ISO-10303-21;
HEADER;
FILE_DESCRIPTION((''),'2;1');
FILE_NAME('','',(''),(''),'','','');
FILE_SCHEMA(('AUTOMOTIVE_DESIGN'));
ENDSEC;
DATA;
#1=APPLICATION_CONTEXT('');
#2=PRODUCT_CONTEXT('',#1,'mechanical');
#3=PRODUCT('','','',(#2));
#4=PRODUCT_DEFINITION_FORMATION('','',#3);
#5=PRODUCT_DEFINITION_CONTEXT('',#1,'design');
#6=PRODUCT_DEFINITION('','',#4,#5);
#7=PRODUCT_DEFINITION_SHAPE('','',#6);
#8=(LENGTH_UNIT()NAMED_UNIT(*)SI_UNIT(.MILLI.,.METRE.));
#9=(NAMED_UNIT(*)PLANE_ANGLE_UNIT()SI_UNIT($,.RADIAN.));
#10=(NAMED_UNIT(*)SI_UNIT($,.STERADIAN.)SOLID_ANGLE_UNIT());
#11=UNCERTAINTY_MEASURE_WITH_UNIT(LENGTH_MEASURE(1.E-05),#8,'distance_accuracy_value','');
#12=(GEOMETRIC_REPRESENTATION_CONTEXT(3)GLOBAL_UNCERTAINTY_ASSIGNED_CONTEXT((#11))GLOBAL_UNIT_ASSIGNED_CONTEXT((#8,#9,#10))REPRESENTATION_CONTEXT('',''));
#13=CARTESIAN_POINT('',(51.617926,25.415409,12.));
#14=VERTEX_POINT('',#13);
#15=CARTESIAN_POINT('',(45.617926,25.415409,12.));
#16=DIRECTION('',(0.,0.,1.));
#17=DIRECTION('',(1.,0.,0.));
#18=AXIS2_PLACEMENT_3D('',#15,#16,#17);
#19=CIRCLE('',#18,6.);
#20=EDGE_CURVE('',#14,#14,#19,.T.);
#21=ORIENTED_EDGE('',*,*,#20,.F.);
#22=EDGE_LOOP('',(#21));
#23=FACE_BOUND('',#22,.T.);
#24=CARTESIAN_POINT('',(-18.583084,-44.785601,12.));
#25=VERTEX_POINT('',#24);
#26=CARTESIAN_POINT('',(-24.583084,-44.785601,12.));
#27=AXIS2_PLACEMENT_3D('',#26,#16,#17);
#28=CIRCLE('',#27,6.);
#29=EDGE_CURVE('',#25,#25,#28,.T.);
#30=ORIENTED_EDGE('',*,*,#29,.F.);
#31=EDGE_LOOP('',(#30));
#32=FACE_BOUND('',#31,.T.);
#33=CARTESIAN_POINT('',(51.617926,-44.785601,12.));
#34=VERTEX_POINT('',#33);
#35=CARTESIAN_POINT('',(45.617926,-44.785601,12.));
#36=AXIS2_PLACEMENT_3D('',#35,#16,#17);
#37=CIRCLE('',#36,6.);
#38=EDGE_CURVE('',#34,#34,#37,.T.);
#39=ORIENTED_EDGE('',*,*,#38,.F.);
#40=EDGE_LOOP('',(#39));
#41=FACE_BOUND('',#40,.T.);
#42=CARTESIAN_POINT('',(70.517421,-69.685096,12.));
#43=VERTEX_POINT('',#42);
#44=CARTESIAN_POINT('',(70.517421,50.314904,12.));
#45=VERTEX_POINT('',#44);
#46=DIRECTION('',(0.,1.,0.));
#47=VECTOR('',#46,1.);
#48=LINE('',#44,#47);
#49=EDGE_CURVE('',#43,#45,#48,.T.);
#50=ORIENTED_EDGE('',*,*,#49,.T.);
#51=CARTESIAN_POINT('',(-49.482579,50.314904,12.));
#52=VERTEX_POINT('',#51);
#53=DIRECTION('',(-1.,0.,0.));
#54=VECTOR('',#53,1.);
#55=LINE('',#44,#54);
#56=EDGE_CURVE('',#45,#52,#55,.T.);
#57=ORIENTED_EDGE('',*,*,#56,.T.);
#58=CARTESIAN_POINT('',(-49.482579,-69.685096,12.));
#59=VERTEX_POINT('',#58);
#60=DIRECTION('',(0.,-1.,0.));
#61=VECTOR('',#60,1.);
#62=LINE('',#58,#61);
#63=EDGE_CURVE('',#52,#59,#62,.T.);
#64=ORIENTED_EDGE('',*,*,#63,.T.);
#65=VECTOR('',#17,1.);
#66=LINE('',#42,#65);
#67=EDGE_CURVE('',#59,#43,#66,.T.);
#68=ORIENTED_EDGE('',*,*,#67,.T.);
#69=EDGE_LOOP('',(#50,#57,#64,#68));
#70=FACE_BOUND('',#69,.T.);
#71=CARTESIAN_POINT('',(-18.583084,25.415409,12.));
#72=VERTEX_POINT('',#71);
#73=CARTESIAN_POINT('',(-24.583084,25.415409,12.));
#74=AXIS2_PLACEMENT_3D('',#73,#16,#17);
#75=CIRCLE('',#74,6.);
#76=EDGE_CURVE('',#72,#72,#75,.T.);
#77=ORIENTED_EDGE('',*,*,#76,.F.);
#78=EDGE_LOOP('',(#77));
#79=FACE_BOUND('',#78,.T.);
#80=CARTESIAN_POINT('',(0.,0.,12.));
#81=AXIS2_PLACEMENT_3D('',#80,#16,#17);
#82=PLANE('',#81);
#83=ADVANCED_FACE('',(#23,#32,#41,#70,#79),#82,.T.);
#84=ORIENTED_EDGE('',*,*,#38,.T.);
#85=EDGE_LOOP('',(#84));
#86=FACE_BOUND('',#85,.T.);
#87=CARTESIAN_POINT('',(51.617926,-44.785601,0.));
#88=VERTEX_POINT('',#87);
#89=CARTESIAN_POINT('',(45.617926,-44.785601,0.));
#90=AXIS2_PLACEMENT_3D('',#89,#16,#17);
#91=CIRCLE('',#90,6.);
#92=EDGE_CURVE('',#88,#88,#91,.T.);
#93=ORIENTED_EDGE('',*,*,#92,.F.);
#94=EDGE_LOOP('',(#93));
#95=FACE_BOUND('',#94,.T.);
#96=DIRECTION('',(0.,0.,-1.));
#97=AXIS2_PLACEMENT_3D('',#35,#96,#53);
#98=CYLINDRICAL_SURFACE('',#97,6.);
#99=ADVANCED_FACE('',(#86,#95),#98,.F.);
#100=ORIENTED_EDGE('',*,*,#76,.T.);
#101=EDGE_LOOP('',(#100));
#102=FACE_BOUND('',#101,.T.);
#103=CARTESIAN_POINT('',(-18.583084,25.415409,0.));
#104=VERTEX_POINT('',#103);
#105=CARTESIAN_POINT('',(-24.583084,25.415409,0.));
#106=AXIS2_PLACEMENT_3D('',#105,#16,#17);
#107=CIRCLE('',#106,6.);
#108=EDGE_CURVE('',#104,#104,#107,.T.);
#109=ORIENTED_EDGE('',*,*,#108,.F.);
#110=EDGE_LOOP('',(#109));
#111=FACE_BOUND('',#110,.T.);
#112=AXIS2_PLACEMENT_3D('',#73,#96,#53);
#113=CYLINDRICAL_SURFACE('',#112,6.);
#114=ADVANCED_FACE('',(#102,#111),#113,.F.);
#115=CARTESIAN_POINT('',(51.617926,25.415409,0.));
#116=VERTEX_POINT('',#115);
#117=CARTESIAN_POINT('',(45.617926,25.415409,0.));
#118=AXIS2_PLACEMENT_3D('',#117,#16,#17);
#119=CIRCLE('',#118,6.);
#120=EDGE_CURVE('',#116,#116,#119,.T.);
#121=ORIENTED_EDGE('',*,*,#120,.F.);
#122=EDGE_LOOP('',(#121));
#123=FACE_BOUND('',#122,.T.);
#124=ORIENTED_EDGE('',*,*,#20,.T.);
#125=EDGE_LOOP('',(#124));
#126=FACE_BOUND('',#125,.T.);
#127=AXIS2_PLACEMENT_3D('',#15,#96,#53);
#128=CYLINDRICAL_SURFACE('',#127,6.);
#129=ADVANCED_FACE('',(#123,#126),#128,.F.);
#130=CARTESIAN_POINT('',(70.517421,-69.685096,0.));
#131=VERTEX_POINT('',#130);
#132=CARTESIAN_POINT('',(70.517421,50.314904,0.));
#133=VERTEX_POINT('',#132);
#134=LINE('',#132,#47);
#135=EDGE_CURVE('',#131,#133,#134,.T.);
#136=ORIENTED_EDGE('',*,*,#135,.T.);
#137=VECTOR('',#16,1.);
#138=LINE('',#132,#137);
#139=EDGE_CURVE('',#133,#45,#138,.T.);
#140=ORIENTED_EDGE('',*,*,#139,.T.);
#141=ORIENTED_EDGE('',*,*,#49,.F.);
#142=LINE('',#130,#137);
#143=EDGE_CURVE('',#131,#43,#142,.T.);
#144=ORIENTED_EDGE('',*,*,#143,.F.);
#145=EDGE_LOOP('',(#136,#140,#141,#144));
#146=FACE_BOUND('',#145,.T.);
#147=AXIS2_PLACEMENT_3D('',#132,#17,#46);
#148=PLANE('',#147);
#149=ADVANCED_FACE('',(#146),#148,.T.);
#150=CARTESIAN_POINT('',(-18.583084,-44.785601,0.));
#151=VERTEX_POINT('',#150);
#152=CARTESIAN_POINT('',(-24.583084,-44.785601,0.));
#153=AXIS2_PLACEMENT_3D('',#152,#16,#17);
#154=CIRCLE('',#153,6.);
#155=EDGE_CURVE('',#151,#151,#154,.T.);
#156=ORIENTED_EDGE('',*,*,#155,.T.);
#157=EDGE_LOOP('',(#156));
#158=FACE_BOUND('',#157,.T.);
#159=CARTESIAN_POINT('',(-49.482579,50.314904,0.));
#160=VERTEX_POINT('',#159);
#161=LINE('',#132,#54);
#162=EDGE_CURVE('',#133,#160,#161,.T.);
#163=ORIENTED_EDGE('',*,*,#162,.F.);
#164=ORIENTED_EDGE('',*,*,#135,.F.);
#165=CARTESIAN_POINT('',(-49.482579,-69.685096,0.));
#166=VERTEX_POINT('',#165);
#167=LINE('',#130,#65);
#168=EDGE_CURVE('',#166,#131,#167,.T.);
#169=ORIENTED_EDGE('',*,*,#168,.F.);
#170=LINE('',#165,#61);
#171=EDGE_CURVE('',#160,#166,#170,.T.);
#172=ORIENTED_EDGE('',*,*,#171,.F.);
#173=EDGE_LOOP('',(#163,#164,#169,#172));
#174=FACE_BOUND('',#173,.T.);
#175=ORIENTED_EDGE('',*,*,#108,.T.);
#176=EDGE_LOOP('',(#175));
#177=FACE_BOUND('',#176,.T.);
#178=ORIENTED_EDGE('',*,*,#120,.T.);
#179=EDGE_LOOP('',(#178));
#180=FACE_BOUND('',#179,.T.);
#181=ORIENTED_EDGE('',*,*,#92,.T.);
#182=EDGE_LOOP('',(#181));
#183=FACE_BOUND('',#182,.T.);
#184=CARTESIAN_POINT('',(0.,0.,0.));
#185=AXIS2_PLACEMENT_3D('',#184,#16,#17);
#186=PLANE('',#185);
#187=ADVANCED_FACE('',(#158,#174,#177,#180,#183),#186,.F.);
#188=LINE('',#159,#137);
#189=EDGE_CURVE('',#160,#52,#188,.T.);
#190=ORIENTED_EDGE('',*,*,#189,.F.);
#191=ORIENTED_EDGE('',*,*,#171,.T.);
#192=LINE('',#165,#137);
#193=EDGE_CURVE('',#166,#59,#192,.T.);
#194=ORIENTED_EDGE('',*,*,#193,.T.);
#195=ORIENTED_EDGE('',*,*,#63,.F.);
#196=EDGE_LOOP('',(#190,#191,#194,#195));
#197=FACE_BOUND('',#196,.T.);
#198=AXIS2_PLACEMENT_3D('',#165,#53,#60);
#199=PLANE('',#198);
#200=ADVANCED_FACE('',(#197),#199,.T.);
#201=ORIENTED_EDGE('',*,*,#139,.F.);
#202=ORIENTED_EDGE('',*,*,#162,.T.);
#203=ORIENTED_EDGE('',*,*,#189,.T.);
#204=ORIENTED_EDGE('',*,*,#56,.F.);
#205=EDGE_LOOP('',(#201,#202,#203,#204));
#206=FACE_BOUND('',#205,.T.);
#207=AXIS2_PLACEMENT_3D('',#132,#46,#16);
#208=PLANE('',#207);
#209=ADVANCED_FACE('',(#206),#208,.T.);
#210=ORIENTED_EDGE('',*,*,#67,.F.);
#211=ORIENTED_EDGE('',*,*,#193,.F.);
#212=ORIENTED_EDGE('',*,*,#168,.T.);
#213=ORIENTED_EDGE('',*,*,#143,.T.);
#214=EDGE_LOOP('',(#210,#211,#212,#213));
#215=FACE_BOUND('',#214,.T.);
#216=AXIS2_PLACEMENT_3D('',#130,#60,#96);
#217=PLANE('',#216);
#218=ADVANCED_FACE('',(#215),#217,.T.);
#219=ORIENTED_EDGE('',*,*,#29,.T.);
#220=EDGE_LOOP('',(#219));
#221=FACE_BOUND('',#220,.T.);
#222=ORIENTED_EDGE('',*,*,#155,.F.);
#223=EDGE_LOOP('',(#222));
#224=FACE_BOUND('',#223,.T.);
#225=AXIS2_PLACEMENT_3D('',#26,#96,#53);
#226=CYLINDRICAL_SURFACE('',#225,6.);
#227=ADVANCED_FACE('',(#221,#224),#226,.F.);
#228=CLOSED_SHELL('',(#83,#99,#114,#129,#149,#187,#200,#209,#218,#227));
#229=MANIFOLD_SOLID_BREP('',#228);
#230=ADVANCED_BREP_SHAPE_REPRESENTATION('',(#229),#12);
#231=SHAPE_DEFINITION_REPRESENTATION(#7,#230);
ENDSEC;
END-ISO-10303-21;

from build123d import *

# Parameters (mm, degrees)
SZKIC1_W                    = 90
SZKIC1_H                    = 90
SZKIC1_R                    = 6
DODANIE_WYCI_GNI_CIE1_DEPTH = 12
SZKIC2_W                    = 120
SZKIC2_H                    = 120
SZKIC2_W_2                  = 90
SZKIC2_H_2                  = 90
DODANIE_WYCI_GNI_CIE3_DEPTH = 12


with BuildPart() as part:
    # Szkic1 → Dodanie-wyciągnięcie1 (new body)
    with BuildSketch(Plane.XY):
        with Locations((10.517420564, -9.685096154)):
            Rectangle(SZKIC1_W, SZKIC1_H)
        with Locations((-24.583084499, 25.41540891)):
            Circle(SZKIC1_R, mode=Mode.SUBTRACT)
        with Locations((-24.583084499, -44.785601217)):
            Circle(SZKIC1_R, mode=Mode.SUBTRACT)
        with Locations((45.617925627, -44.785601217)):
            Circle(SZKIC1_R, mode=Mode.SUBTRACT)
        with Locations((45.617925627, 25.41540891)):
            Circle(SZKIC1_R, mode=Mode.SUBTRACT)
    extrude(amount=DODANIE_WYCI_GNI_CIE1_DEPTH)

    # Szkic2 → Dodanie-wyciągnięcie3 (add)
    with BuildSketch(Plane.XY.offset(12)):
        with Locations((10.517420564, -9.685096154)):
            Rectangle(SZKIC2_W, SZKIC2_H)
        with Locations((10.517420564, -9.685096154)):
            Rectangle(SZKIC2_W_2, SZKIC2_H_2, mode=Mode.SUBTRACT)
    extrude(amount=-DODANIE_WYCI_GNI_CIE3_DEPTH)


solid = part.part
